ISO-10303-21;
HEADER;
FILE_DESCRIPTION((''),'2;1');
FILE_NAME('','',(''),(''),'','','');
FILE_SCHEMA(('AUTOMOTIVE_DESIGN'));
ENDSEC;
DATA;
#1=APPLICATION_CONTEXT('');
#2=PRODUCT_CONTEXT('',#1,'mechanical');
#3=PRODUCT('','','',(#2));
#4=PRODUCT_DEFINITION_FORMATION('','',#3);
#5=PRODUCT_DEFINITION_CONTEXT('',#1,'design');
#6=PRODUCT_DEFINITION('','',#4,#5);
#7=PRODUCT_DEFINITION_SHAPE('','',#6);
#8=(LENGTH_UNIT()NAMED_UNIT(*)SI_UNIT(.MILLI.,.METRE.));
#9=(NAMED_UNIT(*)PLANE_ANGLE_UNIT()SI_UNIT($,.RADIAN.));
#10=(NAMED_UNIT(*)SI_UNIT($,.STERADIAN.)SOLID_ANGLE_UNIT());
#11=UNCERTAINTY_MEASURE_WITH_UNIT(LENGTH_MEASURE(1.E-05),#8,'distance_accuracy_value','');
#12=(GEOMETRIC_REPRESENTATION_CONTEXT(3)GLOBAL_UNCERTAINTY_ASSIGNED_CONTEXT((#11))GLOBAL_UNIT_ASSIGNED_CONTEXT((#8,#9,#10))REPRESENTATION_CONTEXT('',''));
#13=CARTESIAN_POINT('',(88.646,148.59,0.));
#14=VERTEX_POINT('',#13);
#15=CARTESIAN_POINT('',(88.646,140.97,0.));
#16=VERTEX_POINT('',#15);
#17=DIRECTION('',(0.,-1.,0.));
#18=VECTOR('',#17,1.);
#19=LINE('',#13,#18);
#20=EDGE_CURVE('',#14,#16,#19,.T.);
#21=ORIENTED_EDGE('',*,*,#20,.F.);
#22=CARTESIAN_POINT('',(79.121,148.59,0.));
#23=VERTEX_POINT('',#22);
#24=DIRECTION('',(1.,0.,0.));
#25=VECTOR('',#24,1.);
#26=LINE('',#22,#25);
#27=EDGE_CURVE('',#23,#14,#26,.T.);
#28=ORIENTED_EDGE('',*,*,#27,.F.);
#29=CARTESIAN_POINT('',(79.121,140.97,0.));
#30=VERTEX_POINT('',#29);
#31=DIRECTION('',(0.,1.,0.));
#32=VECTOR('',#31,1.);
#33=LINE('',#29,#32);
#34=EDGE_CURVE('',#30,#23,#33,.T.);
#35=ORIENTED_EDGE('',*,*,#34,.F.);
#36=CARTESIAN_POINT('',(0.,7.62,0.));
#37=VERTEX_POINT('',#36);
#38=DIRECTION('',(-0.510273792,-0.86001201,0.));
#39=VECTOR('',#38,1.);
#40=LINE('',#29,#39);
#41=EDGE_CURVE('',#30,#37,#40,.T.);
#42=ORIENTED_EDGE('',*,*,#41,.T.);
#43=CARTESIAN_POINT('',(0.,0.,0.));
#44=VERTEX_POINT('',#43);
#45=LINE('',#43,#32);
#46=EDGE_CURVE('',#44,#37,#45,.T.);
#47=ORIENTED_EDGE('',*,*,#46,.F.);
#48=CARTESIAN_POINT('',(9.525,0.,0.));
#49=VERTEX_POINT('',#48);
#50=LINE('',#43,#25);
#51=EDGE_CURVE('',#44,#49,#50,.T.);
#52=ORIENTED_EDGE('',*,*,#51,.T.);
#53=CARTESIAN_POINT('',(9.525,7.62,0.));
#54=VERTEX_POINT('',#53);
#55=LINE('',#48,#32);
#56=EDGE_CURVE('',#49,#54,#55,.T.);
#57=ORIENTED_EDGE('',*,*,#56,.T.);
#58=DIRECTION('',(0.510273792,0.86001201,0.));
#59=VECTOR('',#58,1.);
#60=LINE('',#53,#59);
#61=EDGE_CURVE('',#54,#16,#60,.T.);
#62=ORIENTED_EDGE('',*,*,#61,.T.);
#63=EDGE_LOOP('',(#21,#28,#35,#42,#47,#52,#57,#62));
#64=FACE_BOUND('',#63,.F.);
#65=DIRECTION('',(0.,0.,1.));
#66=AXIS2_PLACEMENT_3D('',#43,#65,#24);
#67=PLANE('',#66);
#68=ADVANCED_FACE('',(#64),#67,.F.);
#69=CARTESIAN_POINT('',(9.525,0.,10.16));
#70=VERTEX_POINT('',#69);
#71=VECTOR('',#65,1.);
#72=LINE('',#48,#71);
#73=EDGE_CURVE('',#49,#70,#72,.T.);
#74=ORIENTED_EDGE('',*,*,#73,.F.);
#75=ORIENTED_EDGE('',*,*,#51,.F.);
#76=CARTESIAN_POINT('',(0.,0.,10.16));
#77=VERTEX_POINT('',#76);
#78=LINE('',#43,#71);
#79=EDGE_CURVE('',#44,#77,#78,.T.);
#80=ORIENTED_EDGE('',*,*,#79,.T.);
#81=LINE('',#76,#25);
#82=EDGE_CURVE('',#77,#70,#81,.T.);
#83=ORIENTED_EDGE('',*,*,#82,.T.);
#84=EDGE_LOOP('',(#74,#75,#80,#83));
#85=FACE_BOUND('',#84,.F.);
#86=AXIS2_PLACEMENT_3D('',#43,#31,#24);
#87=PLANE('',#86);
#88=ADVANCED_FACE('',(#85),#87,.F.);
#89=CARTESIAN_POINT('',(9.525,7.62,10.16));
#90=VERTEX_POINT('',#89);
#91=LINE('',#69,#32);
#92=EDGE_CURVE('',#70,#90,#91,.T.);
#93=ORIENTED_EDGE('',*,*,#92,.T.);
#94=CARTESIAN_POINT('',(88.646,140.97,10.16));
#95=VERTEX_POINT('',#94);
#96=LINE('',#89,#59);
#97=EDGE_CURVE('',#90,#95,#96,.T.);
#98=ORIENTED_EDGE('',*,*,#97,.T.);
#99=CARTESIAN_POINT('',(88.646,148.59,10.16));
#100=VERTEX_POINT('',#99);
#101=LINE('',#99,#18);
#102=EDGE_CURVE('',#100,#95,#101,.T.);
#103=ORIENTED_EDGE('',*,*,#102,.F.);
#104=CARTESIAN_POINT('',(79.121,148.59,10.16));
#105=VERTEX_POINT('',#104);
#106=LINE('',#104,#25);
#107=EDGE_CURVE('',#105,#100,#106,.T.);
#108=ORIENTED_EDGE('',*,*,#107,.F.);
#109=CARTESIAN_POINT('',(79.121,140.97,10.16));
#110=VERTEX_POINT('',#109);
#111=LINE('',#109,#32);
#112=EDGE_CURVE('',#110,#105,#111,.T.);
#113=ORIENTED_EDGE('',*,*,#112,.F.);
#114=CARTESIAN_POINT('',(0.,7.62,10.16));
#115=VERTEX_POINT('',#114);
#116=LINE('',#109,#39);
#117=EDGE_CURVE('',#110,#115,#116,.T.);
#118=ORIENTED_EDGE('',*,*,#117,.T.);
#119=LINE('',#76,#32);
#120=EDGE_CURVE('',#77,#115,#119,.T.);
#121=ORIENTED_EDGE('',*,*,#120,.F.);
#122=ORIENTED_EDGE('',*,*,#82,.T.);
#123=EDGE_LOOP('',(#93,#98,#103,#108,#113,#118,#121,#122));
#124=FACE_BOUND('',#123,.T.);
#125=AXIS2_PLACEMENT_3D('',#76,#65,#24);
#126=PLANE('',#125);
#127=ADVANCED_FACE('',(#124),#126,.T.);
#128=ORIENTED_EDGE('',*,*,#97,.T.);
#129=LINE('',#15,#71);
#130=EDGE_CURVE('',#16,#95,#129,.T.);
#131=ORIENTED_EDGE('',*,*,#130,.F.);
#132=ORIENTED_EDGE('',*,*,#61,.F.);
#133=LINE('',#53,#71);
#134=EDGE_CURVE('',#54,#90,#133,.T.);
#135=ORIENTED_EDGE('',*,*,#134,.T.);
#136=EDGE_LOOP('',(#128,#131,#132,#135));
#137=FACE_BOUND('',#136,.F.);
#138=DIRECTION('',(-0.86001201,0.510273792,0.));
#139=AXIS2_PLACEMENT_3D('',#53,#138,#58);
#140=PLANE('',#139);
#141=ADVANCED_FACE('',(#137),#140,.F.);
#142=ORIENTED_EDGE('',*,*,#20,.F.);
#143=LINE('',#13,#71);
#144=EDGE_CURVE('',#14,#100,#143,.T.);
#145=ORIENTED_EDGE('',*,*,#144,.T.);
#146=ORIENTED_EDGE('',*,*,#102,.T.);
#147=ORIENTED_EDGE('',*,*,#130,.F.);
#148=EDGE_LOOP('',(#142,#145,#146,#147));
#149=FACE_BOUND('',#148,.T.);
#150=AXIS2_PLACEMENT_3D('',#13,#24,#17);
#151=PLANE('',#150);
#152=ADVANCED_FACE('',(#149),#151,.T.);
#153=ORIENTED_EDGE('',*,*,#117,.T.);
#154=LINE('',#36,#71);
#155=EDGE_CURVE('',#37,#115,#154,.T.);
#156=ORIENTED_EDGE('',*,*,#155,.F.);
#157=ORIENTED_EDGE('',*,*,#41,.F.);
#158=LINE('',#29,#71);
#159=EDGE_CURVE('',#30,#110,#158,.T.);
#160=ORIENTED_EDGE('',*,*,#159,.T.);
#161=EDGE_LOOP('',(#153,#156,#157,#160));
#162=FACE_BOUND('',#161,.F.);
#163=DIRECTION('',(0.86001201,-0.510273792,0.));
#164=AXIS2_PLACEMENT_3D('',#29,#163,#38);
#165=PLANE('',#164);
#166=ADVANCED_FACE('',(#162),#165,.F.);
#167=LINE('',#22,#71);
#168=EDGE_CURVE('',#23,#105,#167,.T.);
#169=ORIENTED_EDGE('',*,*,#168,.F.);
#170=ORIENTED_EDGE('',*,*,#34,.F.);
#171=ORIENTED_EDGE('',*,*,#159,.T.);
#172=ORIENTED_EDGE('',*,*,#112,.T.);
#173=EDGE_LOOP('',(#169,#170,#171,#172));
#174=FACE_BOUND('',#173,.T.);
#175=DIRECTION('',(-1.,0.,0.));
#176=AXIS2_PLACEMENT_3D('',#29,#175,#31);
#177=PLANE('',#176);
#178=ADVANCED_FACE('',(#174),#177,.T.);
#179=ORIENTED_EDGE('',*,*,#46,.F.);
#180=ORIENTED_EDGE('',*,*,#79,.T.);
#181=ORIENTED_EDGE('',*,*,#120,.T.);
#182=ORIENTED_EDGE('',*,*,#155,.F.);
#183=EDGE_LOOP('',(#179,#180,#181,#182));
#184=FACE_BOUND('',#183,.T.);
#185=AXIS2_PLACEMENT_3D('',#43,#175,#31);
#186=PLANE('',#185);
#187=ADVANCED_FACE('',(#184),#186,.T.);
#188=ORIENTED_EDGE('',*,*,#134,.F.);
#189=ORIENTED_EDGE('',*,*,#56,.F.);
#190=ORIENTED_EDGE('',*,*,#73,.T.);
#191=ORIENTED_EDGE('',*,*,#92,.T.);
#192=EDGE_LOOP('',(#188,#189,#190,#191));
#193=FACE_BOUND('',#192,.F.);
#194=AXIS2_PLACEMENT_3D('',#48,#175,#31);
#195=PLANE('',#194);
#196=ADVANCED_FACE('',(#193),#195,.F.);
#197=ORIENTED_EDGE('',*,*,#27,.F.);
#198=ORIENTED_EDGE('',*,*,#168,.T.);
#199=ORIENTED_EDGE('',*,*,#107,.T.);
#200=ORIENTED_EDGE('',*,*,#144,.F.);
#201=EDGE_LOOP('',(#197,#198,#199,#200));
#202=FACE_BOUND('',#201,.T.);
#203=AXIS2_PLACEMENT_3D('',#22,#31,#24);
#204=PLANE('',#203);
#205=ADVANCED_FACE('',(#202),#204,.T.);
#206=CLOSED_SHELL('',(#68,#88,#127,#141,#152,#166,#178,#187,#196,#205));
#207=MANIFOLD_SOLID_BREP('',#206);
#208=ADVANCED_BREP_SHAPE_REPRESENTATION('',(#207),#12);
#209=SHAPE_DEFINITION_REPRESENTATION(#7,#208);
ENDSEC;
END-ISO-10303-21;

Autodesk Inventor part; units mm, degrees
ref_plane "YZ Plane" through (0, 0, 0) normal (1, 0, 0) x (0, 1, 0)
ref_plane "XZ Plane" through (0, 0, 0) normal (0, 1, 0) x (-1, 0, 0)
ref_plane "XY Plane" through (0, 0, 0) normal (0, 0, 1) x (1, 0, 0)
sketch "Sketch1" plane through (0, 0, 0) normal (0, 0, 1) x (1, 0, 0)
  line L0 (0, 0) -> (9.525, 0)
  line L1 (9.525, 0) -> (9.525, 7.62)
  line L2 (0, 0) -> (0, 7.62)
  line L3 (79.121, 140.97) -> (79.121, 148.59)
  line L4 (79.121, 148.59) -> (88.646, 148.59)
  line L5 (88.646, 148.59) -> (88.646, 140.97)
  line L6 (79.121, 140.97) -> (0, 7.62)
  line L7 (9.525, 7.62) -> (88.646, 140.97)
  dimension "d0" = 9.525
  dimension "d1" = 7.62
  dimension "d2" = 7.62
  dimension "d3" = 9.525
  dimension "d4" = 69.596
  dimension "d5" = 133.35
  dimension "d6" = 7.62
extrude "Extrusion1" add sketch "Sketch1" along normal blind 10.16
properties part number "1Piecelongsupport_v1"
